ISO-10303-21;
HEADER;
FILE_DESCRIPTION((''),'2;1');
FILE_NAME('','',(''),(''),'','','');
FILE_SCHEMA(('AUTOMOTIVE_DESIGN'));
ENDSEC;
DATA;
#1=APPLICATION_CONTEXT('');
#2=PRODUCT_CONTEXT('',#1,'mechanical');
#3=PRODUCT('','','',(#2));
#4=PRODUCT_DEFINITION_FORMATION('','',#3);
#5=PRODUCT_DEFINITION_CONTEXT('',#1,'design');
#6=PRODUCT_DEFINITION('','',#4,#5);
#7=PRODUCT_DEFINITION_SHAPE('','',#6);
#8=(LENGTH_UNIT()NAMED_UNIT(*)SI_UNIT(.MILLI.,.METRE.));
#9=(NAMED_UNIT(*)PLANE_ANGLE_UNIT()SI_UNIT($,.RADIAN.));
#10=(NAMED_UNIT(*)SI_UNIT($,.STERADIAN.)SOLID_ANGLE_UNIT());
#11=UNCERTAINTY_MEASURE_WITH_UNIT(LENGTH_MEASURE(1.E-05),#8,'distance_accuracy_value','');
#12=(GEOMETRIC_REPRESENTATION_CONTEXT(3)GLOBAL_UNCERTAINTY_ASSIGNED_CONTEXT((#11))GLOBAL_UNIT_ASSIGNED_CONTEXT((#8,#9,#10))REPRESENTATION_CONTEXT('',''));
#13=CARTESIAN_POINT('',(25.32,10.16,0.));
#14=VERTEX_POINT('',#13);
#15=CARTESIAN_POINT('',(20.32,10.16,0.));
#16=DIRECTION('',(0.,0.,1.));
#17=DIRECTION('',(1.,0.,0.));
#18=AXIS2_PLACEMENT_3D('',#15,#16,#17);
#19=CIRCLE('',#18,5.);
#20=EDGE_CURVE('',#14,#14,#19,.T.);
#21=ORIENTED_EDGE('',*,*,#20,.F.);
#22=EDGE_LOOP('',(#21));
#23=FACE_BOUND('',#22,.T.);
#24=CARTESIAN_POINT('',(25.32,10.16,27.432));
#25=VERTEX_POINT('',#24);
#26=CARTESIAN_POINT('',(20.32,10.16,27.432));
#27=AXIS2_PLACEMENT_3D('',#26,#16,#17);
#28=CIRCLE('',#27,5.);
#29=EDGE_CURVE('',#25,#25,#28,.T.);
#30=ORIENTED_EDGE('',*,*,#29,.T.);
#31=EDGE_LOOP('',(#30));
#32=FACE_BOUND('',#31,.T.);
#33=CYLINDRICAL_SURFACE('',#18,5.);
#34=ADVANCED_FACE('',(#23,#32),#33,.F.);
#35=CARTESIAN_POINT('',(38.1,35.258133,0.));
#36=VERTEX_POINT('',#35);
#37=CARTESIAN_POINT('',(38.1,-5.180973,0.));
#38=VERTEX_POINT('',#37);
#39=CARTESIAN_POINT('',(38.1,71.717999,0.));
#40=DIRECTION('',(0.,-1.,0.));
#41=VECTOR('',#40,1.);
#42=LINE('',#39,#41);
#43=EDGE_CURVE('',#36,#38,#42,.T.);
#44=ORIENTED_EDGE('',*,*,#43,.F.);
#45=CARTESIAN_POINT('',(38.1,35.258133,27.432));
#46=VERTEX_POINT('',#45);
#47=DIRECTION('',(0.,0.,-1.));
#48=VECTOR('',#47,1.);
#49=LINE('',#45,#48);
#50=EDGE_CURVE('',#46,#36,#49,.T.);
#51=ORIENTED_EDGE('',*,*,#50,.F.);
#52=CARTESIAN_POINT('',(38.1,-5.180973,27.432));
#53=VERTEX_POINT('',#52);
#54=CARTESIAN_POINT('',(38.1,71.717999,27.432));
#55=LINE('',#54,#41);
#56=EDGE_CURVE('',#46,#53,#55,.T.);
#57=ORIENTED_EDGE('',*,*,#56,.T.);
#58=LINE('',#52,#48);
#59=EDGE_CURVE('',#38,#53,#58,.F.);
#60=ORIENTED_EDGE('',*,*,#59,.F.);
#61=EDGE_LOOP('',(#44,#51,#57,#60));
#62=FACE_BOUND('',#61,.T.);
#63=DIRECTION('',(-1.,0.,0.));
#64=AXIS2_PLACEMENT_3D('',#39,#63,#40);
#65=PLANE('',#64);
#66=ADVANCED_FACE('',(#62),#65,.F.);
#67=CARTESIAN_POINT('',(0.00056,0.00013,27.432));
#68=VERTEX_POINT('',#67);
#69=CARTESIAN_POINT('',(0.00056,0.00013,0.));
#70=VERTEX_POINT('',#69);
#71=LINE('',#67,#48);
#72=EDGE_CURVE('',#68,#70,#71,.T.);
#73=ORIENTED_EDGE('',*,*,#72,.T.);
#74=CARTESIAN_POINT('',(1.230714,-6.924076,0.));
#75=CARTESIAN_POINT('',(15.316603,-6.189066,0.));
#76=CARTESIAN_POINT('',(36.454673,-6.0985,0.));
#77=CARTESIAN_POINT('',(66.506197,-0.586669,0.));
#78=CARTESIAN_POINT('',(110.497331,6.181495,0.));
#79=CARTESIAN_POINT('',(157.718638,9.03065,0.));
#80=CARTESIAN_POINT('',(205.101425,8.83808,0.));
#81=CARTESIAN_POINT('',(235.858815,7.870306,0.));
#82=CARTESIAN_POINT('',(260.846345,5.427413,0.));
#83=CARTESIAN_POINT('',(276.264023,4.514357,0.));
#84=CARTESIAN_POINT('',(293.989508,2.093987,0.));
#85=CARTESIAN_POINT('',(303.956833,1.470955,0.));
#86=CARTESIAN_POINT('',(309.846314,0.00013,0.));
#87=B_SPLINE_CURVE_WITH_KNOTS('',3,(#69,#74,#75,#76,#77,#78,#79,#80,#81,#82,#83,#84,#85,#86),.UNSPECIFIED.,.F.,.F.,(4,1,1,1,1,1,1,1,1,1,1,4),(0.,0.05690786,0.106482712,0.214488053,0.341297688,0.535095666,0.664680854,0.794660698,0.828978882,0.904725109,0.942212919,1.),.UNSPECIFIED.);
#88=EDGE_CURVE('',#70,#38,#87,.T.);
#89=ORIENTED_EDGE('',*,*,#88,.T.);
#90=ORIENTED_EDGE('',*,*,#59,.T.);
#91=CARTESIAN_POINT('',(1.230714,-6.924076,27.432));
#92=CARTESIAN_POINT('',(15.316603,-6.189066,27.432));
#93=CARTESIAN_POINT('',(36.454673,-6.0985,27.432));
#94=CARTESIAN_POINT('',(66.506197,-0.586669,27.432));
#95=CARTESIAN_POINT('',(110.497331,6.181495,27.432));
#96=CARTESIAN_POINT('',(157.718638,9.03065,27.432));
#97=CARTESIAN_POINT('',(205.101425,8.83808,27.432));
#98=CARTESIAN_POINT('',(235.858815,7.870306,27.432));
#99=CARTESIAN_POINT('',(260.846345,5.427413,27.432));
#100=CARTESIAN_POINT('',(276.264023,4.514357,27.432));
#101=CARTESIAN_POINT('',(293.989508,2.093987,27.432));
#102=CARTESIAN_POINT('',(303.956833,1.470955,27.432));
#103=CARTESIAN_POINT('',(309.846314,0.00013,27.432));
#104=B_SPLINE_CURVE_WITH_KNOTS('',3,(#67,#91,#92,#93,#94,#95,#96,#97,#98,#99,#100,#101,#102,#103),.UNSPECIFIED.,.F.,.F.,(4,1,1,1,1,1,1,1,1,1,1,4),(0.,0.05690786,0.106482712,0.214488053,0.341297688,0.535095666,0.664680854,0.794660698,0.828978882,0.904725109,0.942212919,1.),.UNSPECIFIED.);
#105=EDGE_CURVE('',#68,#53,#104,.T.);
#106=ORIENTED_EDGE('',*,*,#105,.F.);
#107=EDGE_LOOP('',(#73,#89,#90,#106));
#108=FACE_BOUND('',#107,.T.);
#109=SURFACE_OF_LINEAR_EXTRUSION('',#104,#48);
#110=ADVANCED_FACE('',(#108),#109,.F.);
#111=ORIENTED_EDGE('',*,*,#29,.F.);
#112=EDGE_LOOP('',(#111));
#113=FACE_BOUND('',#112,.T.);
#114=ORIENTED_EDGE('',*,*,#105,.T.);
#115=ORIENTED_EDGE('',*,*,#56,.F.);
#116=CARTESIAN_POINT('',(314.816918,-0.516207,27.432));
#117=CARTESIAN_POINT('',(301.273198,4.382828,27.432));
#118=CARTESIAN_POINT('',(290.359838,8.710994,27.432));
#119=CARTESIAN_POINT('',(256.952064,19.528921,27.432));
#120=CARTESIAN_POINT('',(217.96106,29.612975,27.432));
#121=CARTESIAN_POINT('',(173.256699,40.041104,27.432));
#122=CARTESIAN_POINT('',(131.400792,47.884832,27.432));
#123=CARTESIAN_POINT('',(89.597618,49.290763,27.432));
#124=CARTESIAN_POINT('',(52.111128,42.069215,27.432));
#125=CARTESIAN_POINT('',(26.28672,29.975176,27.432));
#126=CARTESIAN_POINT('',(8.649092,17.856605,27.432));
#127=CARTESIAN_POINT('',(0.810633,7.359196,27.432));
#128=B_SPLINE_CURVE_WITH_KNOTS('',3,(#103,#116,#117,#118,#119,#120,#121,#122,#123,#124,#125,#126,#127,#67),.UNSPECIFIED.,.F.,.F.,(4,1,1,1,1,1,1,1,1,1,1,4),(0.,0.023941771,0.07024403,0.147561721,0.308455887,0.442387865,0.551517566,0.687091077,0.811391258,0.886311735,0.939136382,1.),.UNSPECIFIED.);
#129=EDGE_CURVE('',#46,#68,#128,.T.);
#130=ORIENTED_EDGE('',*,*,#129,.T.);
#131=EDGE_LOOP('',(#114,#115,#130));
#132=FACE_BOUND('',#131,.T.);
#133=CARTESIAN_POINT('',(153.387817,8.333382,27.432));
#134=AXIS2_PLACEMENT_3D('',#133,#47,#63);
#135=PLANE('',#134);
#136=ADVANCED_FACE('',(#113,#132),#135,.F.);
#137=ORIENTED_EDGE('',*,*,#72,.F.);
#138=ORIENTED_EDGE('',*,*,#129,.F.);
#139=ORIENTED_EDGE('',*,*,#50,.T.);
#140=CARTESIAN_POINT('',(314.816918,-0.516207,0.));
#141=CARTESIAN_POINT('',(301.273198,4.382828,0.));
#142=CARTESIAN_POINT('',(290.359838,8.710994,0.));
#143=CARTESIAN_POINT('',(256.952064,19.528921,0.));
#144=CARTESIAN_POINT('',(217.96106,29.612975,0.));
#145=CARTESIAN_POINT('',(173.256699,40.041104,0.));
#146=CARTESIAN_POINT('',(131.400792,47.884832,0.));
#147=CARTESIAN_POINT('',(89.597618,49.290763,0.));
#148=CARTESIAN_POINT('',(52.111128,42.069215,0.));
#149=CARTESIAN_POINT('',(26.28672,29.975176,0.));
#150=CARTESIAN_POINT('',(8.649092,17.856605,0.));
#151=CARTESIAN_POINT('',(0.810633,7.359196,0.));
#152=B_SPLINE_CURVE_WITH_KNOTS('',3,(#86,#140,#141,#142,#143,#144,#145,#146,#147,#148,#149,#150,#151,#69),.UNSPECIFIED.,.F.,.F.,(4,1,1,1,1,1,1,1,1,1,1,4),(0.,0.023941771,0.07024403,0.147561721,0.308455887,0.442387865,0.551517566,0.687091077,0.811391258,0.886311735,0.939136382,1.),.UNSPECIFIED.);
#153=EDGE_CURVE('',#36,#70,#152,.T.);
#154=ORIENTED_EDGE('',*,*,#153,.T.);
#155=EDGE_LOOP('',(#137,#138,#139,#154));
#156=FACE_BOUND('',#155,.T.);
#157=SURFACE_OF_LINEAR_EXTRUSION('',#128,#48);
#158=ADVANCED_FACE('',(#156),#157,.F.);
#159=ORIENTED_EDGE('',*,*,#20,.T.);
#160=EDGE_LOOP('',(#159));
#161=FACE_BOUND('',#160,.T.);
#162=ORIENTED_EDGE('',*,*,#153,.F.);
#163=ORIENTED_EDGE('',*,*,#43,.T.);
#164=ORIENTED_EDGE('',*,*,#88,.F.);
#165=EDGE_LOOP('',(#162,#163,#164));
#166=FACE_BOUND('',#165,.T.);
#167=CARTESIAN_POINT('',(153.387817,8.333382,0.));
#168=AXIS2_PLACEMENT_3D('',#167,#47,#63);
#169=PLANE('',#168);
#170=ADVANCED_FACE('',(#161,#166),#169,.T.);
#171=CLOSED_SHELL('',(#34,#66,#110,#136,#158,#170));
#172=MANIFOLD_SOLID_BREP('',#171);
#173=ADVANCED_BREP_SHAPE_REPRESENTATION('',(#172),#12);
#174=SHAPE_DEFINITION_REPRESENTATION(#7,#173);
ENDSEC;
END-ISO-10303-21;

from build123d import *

# Parameters (mm, degrees)
BOSS_EXTRUDE1_DEPTH = 27.432
SKETCH2_R           = 5
SKETCH2_R_2         = 3.175
CUT_EXTRUDE1_DEPTH  = 317.917465392
SKETCH3_W           = 293.188888759
SKETCH3_H           = 137.971241769
CUT_EXTRUDE2_DEPTH  = 317.917465392


with BuildPart() as part:
    # Sketch1 → Boss-Extrude1 (new body)
    with BuildSketch(Plane.XY):
        with BuildLine():
            add(Edge.make_bspline(
                [(0.000560351, 0.000130087), (0.810633127, 7.359196055), (8.649092025, 17.856605174), (26.286719818, 29.975176328), (52.111128271, 42.069215275), (89.597618475, 49.290763054), (131.400792109, 47.884831915), (173.256699242, 40.041104278), (217.961060472, 29.612974894), (256.952064401, 19.528920948), (290.35983767, 8.71099439), (301.273197721, 4.382828139), (314.816918223, -0.516206742), (309.846313895, 0.000130087)],
                knots=[0, 0, 0, 0, 0.060863618, 0.113688265, 0.188608742, 0.312908923, 0.448482434, 0.557612135, 0.691544113, 0.852438279, 0.92975597, 0.976058229, 1, 1, 1, 1], degree=3))
            add(Edge.make_bspline(
                [(309.846313895, 0.000130087), (303.956832565, 1.47095521), (293.989507544, 2.093987313), (276.26402299, 4.514356704), (260.846344817, 5.427413394), (235.858814759, 7.870306192), (205.101424636, 8.838080282), (157.718638092, 9.030650149), (110.497331172, 6.181495223), (66.506197185, -0.586669107), (36.454672816, -6.098499901), (15.316603331, -6.189065841), (1.230714189, -6.924076091), (0.000560351, 0.000130087)],
                knots=[0, 0, 0, 0, 0.057787081, 0.095274891, 0.171021118, 0.205339302, 0.335319146, 0.464904334, 0.658702312, 0.785511947, 0.893517288, 0.94309214, 1, 1, 1, 1], degree=3))
        make_face()
    extrude(amount=BOSS_EXTRUDE1_DEPTH)

    # Sketch2 → Cut-Extrude1 (cut, through all)
    with BuildSketch(Plane.XY.offset(27.432)):
        with Locations((20.32, 10.16)):
            Circle(SKETCH2_R)
        with Locations((227.296313895, 19.050130087)):
            Circle(SKETCH2_R_2)
    extrude(amount=-CUT_EXTRUDE1_DEPTH, mode=Mode.SUBTRACT)

    # Sketch3 → Cut-Extrude2 (cut, through all)
    with BuildSketch(Plane.XY.offset(27.432)):
        with Locations((184.69444438, 2.732377951)):
            Rectangle(SKETCH3_W, SKETCH3_H)
    extrude(amount=-CUT_EXTRUDE2_DEPTH, mode=Mode.SUBTRACT)


solid = part.part
